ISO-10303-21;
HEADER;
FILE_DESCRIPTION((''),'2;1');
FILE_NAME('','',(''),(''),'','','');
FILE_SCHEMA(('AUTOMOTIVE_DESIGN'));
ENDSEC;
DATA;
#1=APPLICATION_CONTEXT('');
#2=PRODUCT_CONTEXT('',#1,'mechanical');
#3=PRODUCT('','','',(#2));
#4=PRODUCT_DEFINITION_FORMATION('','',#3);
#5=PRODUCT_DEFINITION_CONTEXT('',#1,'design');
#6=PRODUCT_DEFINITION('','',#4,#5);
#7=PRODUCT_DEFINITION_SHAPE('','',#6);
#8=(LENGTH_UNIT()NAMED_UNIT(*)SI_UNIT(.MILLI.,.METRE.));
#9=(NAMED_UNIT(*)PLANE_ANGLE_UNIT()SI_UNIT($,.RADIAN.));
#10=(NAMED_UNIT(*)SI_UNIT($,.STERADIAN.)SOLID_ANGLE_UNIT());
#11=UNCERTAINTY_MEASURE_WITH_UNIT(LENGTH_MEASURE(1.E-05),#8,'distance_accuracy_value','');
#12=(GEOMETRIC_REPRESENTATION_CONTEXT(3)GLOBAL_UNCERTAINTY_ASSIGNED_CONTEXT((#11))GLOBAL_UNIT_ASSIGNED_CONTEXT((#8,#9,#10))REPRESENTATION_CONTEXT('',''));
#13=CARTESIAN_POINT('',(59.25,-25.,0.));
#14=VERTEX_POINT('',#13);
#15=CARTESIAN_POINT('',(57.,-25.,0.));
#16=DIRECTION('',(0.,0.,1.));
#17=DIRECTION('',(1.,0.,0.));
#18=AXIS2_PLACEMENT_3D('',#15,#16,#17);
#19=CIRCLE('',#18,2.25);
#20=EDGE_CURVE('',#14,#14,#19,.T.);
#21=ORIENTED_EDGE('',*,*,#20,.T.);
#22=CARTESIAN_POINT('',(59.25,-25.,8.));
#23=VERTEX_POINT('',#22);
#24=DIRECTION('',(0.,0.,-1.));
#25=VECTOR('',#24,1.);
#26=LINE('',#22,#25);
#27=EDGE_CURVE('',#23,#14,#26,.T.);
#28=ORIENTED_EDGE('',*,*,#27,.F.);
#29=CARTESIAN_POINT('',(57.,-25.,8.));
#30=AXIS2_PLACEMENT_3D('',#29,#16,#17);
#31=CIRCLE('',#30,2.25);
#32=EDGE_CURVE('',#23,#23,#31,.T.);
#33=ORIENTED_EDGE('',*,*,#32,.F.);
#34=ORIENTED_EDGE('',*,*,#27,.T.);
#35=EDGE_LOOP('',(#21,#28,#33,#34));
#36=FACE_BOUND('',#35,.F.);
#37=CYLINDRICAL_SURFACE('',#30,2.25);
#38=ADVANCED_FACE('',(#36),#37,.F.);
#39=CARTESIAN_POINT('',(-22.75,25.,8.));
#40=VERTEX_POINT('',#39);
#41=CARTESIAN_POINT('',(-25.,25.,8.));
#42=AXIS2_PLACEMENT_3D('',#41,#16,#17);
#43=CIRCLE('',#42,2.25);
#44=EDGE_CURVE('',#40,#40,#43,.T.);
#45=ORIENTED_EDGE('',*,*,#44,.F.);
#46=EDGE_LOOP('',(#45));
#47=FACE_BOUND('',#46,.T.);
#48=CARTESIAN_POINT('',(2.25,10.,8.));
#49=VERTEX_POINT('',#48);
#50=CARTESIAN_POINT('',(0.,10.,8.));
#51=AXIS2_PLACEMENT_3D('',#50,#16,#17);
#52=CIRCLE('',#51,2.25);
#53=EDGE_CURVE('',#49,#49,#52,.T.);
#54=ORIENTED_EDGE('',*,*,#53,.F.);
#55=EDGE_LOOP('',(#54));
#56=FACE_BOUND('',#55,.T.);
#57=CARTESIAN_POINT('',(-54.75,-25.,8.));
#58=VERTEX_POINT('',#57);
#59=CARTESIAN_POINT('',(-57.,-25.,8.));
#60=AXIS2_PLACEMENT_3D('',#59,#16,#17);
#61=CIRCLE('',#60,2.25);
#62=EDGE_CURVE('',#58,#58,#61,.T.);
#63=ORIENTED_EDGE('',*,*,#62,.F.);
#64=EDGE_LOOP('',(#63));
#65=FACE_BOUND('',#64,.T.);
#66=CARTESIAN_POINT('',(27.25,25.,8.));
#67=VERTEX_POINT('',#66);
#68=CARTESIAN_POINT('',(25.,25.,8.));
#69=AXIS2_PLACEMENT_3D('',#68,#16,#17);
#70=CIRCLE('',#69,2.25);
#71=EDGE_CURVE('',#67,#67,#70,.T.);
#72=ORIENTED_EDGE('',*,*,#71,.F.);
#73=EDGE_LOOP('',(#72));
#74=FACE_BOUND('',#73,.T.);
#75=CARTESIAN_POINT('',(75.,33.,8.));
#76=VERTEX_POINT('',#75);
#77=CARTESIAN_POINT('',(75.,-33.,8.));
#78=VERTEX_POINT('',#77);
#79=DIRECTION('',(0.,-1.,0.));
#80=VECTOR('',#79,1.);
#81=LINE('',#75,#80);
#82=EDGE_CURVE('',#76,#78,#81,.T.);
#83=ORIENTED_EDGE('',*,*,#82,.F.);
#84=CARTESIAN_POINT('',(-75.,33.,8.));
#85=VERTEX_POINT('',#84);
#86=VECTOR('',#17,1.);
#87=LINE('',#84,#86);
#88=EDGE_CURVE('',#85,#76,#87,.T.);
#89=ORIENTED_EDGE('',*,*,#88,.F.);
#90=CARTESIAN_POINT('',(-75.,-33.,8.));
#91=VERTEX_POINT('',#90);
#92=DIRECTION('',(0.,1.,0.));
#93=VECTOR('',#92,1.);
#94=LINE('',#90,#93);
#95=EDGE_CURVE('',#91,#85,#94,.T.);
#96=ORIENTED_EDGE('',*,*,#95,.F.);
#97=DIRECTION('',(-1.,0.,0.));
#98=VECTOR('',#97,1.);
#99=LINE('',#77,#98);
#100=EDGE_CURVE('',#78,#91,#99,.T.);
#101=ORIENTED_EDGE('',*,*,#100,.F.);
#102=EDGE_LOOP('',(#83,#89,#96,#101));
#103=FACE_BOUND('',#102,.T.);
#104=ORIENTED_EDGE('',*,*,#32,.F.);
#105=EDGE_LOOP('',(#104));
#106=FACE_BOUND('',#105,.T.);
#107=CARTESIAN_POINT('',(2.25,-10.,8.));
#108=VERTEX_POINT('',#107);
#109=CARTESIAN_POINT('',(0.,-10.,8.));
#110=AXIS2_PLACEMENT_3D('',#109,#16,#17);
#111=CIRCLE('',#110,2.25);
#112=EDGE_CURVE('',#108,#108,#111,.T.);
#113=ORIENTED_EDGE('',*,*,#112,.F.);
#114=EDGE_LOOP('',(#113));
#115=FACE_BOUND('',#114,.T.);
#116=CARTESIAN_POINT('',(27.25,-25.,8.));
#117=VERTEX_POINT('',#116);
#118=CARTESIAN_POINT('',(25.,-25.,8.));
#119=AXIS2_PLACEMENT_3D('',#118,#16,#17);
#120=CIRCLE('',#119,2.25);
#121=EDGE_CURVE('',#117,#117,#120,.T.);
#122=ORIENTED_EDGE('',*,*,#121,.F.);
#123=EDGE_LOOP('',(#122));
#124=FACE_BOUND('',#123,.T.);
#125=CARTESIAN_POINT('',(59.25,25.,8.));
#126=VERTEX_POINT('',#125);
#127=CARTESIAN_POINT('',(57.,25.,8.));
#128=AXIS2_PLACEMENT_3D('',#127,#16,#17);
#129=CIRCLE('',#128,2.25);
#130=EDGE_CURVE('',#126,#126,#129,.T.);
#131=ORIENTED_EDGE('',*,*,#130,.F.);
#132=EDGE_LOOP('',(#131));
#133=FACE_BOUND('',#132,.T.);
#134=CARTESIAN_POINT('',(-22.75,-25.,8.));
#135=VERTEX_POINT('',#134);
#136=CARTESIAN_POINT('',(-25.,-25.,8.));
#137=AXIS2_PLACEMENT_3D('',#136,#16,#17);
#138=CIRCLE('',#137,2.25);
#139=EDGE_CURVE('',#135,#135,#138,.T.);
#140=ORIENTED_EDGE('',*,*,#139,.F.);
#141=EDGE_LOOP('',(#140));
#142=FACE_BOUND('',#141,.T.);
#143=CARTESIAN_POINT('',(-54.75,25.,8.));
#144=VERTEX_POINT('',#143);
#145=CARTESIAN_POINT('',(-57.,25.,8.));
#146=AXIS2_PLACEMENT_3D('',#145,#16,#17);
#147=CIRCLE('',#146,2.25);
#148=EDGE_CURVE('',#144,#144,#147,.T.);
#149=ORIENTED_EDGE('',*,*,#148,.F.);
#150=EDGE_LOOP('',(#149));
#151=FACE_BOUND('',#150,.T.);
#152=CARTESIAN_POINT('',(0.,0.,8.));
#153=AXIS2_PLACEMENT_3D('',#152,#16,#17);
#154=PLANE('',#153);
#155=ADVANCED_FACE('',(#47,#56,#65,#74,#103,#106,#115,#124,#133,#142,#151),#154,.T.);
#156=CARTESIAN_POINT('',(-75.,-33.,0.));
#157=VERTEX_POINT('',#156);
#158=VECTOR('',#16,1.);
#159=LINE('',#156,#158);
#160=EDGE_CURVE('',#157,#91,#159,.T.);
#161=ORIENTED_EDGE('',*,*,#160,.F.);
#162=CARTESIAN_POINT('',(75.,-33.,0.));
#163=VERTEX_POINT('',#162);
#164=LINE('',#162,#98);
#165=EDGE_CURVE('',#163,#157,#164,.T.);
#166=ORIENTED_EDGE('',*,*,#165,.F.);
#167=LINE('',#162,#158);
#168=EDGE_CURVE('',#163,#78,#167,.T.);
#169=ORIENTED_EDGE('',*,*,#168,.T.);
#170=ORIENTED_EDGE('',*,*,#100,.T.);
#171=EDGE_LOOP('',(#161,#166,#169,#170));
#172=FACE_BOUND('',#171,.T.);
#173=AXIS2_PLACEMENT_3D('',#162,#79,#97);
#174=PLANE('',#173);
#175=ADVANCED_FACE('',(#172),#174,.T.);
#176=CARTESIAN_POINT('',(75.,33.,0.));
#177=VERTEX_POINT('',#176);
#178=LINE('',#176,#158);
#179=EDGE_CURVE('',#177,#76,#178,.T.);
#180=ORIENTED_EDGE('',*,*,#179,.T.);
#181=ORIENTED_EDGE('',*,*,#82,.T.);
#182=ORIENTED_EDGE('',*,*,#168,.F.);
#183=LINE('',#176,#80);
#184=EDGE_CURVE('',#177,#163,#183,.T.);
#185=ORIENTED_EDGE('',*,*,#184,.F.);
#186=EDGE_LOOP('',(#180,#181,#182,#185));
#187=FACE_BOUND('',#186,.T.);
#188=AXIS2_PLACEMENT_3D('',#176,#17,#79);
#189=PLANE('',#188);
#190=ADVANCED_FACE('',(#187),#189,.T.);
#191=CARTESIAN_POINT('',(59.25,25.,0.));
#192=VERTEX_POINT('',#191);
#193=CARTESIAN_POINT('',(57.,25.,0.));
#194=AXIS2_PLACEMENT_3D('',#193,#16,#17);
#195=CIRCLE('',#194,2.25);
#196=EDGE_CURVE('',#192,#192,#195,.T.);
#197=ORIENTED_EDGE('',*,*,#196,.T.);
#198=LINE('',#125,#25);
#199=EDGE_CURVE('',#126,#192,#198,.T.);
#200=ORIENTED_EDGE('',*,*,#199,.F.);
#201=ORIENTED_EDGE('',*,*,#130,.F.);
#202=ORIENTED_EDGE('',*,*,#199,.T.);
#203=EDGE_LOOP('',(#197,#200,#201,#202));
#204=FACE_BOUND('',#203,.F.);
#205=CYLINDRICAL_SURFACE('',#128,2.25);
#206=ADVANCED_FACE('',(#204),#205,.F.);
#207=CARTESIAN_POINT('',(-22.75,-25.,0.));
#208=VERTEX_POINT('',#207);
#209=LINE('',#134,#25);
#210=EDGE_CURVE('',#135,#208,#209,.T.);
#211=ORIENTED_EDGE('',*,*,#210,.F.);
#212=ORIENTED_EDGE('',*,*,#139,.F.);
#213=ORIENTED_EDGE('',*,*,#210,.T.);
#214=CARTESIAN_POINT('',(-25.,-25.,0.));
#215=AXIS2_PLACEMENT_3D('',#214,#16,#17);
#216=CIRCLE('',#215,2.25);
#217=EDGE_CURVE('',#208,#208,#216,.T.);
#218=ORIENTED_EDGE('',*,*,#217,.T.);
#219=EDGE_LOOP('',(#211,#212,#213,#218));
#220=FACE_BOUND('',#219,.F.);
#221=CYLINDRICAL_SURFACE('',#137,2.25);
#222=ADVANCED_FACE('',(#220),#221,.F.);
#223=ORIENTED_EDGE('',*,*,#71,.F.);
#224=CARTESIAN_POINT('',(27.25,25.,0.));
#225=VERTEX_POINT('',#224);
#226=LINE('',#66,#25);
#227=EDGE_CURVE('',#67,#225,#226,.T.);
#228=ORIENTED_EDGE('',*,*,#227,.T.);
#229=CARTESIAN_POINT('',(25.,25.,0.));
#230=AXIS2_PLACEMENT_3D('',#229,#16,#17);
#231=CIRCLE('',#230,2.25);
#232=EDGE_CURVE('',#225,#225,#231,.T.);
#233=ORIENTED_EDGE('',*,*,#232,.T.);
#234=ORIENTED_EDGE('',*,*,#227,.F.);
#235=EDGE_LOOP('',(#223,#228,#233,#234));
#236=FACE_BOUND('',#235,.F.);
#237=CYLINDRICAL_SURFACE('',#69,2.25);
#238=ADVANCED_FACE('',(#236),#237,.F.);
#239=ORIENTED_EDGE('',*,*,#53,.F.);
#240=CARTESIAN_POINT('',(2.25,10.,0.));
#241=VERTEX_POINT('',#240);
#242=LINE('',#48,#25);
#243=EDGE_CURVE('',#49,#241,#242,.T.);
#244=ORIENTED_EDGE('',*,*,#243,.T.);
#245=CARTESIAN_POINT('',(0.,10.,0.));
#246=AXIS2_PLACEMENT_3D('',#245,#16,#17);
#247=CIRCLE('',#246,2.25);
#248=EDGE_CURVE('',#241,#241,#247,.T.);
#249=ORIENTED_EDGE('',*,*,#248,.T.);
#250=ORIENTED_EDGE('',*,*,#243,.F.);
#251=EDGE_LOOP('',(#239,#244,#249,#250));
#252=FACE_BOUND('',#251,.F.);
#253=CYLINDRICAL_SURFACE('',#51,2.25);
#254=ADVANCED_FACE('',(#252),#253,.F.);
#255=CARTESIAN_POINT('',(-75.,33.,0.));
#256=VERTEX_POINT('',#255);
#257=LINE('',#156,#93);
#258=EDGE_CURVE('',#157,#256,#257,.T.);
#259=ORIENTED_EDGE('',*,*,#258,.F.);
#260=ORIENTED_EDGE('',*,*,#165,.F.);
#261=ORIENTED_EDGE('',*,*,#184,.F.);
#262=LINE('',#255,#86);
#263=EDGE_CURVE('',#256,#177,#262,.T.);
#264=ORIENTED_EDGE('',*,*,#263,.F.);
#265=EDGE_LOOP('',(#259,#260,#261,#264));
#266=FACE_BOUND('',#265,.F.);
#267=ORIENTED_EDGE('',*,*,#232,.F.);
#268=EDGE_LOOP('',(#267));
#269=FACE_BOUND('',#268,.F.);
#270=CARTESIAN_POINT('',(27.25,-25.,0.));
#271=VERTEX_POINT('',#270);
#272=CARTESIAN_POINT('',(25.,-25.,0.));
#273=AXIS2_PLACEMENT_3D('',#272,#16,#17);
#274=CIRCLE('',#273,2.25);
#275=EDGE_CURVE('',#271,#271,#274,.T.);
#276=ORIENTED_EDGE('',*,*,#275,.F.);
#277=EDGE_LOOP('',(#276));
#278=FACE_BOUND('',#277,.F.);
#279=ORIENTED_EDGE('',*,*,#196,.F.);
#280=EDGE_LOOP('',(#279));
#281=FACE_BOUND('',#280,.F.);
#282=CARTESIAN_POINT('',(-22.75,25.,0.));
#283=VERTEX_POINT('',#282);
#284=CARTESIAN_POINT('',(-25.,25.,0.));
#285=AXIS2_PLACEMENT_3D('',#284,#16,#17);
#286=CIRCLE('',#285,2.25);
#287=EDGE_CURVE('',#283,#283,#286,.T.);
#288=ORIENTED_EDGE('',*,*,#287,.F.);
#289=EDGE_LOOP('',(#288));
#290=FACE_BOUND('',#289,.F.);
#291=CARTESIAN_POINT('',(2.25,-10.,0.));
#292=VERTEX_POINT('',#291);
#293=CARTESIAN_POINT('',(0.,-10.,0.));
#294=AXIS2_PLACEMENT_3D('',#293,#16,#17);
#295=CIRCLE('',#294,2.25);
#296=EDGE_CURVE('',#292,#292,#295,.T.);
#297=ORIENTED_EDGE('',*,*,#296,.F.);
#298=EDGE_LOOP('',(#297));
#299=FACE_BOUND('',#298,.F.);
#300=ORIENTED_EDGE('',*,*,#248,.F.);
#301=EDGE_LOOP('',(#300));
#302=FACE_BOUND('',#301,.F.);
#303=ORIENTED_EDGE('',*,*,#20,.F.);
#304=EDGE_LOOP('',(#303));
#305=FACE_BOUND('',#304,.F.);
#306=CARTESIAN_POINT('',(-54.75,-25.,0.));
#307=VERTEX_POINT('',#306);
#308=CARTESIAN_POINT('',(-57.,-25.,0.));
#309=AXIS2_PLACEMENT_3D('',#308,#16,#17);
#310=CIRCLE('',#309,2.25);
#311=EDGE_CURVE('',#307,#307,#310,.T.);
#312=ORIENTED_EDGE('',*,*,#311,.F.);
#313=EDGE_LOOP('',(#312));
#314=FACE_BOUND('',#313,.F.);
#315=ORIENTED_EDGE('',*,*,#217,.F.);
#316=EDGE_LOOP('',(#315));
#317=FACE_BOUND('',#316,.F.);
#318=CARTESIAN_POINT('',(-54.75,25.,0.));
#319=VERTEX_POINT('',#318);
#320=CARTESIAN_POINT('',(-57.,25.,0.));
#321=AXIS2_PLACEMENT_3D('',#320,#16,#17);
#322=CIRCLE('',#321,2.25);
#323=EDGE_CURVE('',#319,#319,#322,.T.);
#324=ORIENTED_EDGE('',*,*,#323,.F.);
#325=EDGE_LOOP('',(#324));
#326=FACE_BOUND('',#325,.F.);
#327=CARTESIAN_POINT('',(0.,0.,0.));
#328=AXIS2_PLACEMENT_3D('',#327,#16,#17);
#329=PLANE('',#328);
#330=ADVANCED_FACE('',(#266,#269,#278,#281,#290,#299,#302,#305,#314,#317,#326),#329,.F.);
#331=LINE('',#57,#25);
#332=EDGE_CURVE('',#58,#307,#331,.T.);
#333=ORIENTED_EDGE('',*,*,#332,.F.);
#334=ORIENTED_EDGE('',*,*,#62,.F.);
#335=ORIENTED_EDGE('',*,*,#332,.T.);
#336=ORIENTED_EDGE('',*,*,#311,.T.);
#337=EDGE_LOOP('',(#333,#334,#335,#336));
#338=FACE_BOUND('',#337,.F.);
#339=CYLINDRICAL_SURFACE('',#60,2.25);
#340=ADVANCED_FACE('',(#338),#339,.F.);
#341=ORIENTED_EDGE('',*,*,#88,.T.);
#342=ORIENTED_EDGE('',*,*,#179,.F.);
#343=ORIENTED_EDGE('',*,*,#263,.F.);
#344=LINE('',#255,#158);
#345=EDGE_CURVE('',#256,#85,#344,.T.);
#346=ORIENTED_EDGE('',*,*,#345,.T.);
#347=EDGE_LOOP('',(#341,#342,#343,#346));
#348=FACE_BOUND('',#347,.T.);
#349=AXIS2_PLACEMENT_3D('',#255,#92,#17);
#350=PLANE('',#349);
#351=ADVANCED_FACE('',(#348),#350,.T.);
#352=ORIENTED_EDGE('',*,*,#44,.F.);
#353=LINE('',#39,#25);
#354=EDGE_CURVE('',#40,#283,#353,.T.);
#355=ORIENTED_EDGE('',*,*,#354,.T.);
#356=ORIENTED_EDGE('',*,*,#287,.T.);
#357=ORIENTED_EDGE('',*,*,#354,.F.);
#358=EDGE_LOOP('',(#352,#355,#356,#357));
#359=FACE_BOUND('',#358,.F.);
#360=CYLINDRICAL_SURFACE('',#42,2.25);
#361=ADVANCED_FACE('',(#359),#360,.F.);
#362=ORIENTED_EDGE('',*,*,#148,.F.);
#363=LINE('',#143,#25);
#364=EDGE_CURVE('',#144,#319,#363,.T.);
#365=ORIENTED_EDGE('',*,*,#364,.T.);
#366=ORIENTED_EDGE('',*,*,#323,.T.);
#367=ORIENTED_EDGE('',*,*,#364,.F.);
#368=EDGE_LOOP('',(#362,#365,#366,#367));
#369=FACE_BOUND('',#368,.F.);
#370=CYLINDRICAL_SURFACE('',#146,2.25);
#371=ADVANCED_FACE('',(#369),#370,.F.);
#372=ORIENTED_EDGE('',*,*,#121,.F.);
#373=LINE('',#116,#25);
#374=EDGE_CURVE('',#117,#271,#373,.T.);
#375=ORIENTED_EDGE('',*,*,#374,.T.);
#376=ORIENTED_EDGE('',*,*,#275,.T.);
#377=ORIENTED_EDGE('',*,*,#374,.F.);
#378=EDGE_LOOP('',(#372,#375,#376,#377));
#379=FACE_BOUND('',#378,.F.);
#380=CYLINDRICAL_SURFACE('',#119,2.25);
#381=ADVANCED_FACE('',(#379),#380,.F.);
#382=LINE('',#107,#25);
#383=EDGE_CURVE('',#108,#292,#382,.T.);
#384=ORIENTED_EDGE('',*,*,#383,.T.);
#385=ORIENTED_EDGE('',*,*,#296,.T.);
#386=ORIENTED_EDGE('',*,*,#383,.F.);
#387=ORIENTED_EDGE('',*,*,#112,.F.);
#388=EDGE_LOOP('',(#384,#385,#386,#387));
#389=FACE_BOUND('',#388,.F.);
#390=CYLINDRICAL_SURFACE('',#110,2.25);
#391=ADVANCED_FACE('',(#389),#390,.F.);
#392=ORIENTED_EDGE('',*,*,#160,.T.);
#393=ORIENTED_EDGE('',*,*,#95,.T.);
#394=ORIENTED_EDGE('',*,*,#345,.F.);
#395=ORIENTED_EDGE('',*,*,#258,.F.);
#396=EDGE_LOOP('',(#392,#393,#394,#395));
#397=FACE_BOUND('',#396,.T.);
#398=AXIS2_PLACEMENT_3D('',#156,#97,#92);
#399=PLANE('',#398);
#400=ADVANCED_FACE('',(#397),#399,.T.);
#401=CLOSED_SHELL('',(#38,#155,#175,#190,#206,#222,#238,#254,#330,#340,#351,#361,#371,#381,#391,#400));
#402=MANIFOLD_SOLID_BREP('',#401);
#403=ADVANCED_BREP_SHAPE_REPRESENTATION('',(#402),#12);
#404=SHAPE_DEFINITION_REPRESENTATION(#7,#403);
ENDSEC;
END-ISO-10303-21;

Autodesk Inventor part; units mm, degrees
ref_plane "YZ Plane" through (0, 0, 0) normal (1, 0, 0) x (0, 1, 0)
ref_plane "XZ Plane" through (0, 0, 0) normal (0, 1, 0) x (-1, 0, 0)
ref_plane "XY Plane" through (0, 0, 0) normal (0, 0, 1) x (1, 0, 0)
sketch "Sketch1" plane through (0, 0, 0) normal (0, 0, 1) x (1, 0, 0)
  line L0 (-75, 33) -> (75, 33)
  line L1 (75, 33) -> (75, -33)
  line L2 (75, -33) -> (-75, -33)
  line L3 (-75, -33) -> (-75, 33)
  point P0 (0, 0)
  point P1 (0, 33)
  point P2 (-75, 0)
  dimension "d0" = 150
  dimension "d1" = 66
extrude "Extrusion1" add sketch "Sketch1" along normal blind 8
sketch "Sketch4" plane through (0, 0, 8) normal (0, 0, 1) x (1, 0, 0)
  circle A0 centre (-57, -25) radius 2.25
  circle A1 centre (-57, 25) radius 2.25
  line L0 (-75, 33) -> (-75, -33) projected
  line L1 (-75, -33) -> (75, -33) projected
  line L2 (75, 33) -> (-75, 33) projected
  circle A2 centre (-57, 0) radius 2.25
  circle A3 centre (-25, -25) radius 2.25
  circle A4 centre (-25, 0) radius 2.25
  circle A5 centre (-25, 25) radius 2.25
  circle A6 centre (57, -25) radius 2.25
  line L3 (75, -33) -> (75, 33) projected
  circle A7 centre (57, 0) radius 2.25
  circle A8 centre (57, 25) radius 2.25
  circle A9 centre (25, -25) radius 2.25
  circle A10 centre (25, 0) radius 2.25
  circle A11 centre (25, 25) radius 2.25
  circle A12 centre (0, -25) radius 2.25
  circle A13 centre (0, 25) radius 2.25
  circle A14 centre (0, 10) radius 2.25
  circle A15 centre (0, -10) radius 2.25
  point P0 (-75, 0)
  point P1 (-75, 0)
  point P2 (0, -33)
  dimension "d19" = 4.5
  dimension "d20" = 18
  dimension "d21" = 8
  dimension "d22" = 8
  dimension "d23" = 32
  dimension "d24" = 18
  dimension "d26" = 32
  dimension "d29" = 10
  dimension "d30" = 10
extrude "Extrusion4" cut sketch "Sketch4" against normal through all contours A0 | A1 | A3 | A5 | A6 | A8 | A9 | A11 | A14 | A15
equation "\"d22\" = d21"
equation "\"d24\" = d20"
equation "\"d26\" = d23"
properties part number "0005-10-012" material "Wood (Maple)"
